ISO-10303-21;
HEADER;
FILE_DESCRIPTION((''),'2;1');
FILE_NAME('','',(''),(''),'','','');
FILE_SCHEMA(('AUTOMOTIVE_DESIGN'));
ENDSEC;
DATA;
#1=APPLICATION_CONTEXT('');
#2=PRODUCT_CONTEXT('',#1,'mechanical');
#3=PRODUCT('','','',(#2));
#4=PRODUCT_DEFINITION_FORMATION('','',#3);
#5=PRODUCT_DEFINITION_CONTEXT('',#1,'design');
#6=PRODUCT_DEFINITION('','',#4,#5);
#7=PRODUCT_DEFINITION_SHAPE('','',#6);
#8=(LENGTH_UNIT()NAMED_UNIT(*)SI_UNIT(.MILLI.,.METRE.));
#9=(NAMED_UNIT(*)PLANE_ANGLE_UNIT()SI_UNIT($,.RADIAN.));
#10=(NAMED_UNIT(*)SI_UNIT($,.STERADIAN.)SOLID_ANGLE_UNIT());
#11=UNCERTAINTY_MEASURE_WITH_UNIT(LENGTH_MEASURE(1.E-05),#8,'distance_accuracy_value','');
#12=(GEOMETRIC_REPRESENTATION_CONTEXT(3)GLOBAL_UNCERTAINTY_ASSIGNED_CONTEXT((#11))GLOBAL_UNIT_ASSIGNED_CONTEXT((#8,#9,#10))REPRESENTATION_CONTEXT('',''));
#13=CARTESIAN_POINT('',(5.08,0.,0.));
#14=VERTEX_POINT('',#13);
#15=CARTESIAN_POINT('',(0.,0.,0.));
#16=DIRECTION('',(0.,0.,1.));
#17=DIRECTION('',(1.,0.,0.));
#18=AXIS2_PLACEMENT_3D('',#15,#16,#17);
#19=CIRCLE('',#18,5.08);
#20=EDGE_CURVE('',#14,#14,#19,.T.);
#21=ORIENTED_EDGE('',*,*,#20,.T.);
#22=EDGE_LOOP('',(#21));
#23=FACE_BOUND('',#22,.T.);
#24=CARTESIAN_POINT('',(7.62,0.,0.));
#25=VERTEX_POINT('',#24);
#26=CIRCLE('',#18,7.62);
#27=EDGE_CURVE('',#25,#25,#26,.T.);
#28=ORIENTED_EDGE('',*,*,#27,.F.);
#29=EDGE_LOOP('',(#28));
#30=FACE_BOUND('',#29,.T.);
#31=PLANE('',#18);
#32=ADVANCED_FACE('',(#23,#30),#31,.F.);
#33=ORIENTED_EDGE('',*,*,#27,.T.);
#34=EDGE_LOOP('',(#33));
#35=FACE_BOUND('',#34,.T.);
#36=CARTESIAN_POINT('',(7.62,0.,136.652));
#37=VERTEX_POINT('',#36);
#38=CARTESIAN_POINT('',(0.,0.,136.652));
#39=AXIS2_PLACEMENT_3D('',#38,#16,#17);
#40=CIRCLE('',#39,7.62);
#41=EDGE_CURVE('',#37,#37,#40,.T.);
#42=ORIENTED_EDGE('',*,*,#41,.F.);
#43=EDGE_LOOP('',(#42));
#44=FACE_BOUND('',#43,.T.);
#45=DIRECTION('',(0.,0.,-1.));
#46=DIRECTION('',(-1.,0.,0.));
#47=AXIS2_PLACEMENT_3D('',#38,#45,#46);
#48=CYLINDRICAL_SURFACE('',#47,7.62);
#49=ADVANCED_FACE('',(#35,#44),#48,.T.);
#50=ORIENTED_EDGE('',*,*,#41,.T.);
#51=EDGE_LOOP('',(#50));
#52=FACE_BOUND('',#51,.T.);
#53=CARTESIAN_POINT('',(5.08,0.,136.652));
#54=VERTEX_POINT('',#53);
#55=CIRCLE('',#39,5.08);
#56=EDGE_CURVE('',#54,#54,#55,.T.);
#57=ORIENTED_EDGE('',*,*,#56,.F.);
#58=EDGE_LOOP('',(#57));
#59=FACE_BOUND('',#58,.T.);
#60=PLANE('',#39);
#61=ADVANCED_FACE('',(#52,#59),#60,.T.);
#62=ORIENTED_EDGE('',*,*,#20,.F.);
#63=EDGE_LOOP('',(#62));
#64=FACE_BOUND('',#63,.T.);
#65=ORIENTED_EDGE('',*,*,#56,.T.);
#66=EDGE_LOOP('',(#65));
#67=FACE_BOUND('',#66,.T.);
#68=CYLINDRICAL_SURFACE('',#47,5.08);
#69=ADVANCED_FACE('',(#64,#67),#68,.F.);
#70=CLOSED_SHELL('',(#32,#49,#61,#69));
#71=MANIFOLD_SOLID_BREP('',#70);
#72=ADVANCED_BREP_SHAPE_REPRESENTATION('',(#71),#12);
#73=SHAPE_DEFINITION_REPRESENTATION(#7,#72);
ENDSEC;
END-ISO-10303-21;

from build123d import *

# Parameters (mm, degrees)
SKETCH1_R           = 7.62
SKETCH1_R_2         = 5.08
BOSS_EXTRUDE1_DEPTH = 136.652


with BuildPart() as part:
    # Sketch1 → Boss-Extrude1 (new body)
    with BuildSketch(Plane.XY):
        Circle(SKETCH1_R)
        Circle(SKETCH1_R_2, mode=Mode.SUBTRACT)
    extrude(amount=BOSS_EXTRUDE1_DEPTH)


solid = part.part
